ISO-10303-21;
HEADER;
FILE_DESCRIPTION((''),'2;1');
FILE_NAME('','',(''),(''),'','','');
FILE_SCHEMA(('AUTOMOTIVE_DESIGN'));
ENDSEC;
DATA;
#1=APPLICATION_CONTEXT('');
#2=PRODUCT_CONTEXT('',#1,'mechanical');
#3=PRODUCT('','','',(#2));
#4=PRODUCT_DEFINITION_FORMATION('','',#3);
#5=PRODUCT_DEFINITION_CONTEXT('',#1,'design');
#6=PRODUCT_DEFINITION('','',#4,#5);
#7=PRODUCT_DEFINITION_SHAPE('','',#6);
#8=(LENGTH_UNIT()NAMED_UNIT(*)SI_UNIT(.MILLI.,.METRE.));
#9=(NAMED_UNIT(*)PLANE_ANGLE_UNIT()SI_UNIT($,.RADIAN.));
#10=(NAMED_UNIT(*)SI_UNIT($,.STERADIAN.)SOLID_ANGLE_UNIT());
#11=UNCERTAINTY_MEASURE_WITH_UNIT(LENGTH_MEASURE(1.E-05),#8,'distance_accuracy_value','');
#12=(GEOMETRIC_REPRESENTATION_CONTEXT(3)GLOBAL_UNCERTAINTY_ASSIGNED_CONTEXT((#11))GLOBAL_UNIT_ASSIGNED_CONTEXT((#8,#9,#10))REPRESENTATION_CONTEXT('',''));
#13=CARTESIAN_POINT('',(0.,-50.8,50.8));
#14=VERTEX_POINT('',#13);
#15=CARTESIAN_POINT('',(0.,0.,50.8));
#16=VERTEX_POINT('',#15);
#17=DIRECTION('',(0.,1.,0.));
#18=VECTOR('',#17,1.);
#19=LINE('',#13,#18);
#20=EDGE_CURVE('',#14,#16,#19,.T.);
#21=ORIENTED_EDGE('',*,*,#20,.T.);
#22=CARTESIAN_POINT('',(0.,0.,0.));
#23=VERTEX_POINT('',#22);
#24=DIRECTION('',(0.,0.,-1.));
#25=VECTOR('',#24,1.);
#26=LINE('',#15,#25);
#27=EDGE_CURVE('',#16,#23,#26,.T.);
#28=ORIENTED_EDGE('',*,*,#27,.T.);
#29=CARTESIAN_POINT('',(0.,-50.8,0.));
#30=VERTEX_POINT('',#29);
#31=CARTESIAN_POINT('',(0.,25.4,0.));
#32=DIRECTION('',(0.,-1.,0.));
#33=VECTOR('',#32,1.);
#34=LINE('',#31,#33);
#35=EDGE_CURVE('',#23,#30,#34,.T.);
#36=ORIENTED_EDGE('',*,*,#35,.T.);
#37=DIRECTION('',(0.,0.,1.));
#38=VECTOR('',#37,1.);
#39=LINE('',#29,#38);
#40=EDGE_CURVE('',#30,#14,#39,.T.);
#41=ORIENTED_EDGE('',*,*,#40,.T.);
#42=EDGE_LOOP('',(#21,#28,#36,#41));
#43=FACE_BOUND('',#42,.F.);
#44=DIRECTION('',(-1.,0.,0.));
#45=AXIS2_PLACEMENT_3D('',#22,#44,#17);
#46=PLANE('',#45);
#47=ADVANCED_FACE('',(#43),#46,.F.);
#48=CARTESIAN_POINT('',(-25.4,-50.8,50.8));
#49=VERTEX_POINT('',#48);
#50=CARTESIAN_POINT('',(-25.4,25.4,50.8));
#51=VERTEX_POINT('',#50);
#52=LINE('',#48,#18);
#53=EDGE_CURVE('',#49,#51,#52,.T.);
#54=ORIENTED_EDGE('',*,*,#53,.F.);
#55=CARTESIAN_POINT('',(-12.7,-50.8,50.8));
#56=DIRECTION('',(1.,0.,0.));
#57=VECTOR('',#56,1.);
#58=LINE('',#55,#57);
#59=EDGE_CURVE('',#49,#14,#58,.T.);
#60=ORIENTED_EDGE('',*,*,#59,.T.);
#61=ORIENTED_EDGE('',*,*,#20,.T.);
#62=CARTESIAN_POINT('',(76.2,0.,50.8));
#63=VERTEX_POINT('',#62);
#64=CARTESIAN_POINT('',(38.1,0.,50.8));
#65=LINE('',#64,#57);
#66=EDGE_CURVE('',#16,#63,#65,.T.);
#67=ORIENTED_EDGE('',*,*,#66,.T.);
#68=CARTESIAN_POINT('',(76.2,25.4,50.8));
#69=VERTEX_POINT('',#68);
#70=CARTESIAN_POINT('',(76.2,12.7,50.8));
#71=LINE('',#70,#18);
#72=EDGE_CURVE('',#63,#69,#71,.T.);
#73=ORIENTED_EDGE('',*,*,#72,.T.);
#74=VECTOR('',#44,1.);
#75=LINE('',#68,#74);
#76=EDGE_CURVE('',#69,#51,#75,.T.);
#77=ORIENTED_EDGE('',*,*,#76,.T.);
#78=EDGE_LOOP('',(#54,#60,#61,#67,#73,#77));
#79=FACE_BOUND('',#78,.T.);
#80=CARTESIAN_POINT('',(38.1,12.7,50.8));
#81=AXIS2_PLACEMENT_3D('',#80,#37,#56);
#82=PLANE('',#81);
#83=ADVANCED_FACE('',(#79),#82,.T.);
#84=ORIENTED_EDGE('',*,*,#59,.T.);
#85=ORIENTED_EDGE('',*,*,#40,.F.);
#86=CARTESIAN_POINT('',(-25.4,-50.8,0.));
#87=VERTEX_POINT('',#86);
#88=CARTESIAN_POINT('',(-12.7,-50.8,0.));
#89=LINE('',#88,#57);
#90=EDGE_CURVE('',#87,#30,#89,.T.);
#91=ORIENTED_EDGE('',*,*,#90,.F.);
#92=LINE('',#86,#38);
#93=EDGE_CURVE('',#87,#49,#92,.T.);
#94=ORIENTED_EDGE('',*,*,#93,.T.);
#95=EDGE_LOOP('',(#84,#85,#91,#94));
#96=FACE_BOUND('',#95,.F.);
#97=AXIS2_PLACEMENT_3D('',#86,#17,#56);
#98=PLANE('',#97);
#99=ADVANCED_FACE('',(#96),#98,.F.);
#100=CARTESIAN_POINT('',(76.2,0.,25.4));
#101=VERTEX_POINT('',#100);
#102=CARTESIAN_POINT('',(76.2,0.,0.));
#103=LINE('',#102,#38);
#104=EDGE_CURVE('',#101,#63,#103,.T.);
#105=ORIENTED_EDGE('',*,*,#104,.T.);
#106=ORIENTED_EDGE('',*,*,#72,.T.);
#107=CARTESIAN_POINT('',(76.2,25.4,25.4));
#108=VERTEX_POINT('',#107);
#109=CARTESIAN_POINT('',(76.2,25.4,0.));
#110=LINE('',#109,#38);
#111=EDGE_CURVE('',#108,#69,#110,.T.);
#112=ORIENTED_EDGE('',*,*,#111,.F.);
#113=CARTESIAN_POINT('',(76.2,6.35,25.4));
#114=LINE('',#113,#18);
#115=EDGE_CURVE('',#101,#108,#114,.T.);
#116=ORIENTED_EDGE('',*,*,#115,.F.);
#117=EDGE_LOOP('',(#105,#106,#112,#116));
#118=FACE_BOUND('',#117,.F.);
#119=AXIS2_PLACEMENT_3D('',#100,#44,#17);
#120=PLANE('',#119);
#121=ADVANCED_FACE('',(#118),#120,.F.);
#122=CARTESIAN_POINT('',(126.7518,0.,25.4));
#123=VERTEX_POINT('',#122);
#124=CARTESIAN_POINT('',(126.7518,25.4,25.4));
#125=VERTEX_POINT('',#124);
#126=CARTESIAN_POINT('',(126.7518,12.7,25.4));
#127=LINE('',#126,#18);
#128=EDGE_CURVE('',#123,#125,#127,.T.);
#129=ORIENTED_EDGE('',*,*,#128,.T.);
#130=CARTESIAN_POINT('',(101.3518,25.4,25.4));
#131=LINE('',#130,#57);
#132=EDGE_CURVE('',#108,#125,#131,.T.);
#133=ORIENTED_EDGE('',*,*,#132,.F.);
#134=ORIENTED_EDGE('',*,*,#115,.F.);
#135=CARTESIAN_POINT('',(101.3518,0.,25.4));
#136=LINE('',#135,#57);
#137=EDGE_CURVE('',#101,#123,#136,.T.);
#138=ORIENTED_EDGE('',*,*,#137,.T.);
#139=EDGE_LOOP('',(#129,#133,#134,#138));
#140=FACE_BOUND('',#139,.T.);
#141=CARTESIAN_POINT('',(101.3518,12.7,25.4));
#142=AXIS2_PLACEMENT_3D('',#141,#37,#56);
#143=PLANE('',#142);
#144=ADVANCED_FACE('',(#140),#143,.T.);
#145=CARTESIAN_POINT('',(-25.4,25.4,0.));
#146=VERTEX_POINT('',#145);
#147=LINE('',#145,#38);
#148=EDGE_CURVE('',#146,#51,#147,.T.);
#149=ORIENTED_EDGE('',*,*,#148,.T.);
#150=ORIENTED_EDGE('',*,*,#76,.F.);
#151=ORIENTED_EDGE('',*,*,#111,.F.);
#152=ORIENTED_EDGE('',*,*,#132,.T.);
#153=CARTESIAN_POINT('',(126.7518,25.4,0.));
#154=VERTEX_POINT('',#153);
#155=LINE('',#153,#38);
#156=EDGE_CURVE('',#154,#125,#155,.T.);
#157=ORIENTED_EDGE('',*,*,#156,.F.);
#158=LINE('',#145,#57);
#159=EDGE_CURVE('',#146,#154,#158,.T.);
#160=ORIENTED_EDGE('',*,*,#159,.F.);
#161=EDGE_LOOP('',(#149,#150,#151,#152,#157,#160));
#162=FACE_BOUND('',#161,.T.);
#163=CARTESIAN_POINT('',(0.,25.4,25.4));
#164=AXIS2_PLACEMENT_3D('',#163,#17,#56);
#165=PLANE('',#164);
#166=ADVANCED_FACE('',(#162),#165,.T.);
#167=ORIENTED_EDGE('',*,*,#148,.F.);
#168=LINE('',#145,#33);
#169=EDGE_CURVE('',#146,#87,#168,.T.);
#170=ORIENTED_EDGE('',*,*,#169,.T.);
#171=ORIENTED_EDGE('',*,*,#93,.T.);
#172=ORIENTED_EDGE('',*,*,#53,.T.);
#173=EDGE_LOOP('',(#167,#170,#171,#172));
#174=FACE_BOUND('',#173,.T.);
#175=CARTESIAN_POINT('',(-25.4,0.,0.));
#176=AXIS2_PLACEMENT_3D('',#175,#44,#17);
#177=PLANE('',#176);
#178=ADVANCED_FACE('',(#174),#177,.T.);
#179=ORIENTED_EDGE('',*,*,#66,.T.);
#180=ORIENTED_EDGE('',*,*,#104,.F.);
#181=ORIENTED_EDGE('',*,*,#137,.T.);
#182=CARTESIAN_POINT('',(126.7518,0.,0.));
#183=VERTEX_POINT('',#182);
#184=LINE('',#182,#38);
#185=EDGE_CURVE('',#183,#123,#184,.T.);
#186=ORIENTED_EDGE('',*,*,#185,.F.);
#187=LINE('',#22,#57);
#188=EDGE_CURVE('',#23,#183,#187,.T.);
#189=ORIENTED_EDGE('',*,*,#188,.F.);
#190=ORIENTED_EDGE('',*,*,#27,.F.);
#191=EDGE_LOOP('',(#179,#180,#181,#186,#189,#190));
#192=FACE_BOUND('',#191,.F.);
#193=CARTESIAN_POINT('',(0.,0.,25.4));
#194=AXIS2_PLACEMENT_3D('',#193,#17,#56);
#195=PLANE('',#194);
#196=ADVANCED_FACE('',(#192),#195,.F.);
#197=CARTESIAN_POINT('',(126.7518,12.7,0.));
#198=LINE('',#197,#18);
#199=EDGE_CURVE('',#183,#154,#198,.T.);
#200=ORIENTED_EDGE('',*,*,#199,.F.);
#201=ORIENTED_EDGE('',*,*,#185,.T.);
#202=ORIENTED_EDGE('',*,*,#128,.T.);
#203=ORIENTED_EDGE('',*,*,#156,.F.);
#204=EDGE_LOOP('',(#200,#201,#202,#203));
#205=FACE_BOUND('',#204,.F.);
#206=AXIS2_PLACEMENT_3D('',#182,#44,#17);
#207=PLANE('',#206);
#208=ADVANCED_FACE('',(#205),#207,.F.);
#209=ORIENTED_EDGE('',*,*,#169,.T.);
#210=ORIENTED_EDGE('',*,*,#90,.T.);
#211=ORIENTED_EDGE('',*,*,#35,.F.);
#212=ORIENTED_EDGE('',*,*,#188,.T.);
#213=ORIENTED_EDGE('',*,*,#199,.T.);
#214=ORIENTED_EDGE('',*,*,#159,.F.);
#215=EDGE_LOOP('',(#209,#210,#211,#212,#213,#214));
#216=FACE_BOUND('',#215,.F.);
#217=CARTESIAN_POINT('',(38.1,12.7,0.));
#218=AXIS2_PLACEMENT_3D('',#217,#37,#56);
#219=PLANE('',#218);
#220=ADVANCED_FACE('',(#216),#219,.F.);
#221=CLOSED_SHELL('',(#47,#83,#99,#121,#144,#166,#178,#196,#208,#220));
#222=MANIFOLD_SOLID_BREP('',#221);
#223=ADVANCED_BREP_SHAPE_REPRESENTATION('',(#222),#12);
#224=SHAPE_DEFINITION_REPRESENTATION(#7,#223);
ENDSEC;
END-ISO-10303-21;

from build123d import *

# Parameters (mm, degrees)
F0_W      = 25.4
F0_H      = 50.8
F3_DEPTH  = 50.8
F1_W      = 25.4
F1_H      = 25.4
F4_DEPTH  = 50.8
F2_W      = 76.2
F2_H      = 25.4
F5_DEPTH  = 25.4
F5_FACE_W = 76.2
F5_FACE_H = 25.4
F6_DEPTH  = 25.4
F7_W      = 50.8
F7_H      = 25.4
F8_DEPTH  = 25.4


with BuildPart() as f3:
    # F0 (on Top) → F3 (new body)
    with BuildSketch(Plane.XY):
        with Locations((-12.7, -25.4)):
            Rectangle(F0_W, F0_H)
    extrude(amount=F3_DEPTH)

    # F1 (on Top) → F4 (join)
    with BuildSketch(Plane.XY):
        with Locations((-12.7, 12.7)):
            Rectangle(F1_W, F1_H)
    extrude(amount=F4_DEPTH)

    # F2 (on Top) → F5 (join)
    with BuildSketch(Plane.XY):
        with Locations((38.1, 12.7)):
            Rectangle(F2_W, F2_H)
    extrude(amount=F5_DEPTH)

    # F5_face (on face) → F6 (join)
    with BuildSketch(Plane(origin=(38.1, 12.7, 25.4), x_dir=(1, 0, 0), z_dir=(0, 0, 1))):
        Rectangle(F5_FACE_W, F5_FACE_H)
    extrude(amount=F6_DEPTH)

    # F7 (on Top) → F8 (join)
    with BuildSketch(Plane.XY):
        with Locations((101.3518, 12.7)):
            Rectangle(F7_W, F7_H)
    extrude(amount=F8_DEPTH)


solid = f3.part
